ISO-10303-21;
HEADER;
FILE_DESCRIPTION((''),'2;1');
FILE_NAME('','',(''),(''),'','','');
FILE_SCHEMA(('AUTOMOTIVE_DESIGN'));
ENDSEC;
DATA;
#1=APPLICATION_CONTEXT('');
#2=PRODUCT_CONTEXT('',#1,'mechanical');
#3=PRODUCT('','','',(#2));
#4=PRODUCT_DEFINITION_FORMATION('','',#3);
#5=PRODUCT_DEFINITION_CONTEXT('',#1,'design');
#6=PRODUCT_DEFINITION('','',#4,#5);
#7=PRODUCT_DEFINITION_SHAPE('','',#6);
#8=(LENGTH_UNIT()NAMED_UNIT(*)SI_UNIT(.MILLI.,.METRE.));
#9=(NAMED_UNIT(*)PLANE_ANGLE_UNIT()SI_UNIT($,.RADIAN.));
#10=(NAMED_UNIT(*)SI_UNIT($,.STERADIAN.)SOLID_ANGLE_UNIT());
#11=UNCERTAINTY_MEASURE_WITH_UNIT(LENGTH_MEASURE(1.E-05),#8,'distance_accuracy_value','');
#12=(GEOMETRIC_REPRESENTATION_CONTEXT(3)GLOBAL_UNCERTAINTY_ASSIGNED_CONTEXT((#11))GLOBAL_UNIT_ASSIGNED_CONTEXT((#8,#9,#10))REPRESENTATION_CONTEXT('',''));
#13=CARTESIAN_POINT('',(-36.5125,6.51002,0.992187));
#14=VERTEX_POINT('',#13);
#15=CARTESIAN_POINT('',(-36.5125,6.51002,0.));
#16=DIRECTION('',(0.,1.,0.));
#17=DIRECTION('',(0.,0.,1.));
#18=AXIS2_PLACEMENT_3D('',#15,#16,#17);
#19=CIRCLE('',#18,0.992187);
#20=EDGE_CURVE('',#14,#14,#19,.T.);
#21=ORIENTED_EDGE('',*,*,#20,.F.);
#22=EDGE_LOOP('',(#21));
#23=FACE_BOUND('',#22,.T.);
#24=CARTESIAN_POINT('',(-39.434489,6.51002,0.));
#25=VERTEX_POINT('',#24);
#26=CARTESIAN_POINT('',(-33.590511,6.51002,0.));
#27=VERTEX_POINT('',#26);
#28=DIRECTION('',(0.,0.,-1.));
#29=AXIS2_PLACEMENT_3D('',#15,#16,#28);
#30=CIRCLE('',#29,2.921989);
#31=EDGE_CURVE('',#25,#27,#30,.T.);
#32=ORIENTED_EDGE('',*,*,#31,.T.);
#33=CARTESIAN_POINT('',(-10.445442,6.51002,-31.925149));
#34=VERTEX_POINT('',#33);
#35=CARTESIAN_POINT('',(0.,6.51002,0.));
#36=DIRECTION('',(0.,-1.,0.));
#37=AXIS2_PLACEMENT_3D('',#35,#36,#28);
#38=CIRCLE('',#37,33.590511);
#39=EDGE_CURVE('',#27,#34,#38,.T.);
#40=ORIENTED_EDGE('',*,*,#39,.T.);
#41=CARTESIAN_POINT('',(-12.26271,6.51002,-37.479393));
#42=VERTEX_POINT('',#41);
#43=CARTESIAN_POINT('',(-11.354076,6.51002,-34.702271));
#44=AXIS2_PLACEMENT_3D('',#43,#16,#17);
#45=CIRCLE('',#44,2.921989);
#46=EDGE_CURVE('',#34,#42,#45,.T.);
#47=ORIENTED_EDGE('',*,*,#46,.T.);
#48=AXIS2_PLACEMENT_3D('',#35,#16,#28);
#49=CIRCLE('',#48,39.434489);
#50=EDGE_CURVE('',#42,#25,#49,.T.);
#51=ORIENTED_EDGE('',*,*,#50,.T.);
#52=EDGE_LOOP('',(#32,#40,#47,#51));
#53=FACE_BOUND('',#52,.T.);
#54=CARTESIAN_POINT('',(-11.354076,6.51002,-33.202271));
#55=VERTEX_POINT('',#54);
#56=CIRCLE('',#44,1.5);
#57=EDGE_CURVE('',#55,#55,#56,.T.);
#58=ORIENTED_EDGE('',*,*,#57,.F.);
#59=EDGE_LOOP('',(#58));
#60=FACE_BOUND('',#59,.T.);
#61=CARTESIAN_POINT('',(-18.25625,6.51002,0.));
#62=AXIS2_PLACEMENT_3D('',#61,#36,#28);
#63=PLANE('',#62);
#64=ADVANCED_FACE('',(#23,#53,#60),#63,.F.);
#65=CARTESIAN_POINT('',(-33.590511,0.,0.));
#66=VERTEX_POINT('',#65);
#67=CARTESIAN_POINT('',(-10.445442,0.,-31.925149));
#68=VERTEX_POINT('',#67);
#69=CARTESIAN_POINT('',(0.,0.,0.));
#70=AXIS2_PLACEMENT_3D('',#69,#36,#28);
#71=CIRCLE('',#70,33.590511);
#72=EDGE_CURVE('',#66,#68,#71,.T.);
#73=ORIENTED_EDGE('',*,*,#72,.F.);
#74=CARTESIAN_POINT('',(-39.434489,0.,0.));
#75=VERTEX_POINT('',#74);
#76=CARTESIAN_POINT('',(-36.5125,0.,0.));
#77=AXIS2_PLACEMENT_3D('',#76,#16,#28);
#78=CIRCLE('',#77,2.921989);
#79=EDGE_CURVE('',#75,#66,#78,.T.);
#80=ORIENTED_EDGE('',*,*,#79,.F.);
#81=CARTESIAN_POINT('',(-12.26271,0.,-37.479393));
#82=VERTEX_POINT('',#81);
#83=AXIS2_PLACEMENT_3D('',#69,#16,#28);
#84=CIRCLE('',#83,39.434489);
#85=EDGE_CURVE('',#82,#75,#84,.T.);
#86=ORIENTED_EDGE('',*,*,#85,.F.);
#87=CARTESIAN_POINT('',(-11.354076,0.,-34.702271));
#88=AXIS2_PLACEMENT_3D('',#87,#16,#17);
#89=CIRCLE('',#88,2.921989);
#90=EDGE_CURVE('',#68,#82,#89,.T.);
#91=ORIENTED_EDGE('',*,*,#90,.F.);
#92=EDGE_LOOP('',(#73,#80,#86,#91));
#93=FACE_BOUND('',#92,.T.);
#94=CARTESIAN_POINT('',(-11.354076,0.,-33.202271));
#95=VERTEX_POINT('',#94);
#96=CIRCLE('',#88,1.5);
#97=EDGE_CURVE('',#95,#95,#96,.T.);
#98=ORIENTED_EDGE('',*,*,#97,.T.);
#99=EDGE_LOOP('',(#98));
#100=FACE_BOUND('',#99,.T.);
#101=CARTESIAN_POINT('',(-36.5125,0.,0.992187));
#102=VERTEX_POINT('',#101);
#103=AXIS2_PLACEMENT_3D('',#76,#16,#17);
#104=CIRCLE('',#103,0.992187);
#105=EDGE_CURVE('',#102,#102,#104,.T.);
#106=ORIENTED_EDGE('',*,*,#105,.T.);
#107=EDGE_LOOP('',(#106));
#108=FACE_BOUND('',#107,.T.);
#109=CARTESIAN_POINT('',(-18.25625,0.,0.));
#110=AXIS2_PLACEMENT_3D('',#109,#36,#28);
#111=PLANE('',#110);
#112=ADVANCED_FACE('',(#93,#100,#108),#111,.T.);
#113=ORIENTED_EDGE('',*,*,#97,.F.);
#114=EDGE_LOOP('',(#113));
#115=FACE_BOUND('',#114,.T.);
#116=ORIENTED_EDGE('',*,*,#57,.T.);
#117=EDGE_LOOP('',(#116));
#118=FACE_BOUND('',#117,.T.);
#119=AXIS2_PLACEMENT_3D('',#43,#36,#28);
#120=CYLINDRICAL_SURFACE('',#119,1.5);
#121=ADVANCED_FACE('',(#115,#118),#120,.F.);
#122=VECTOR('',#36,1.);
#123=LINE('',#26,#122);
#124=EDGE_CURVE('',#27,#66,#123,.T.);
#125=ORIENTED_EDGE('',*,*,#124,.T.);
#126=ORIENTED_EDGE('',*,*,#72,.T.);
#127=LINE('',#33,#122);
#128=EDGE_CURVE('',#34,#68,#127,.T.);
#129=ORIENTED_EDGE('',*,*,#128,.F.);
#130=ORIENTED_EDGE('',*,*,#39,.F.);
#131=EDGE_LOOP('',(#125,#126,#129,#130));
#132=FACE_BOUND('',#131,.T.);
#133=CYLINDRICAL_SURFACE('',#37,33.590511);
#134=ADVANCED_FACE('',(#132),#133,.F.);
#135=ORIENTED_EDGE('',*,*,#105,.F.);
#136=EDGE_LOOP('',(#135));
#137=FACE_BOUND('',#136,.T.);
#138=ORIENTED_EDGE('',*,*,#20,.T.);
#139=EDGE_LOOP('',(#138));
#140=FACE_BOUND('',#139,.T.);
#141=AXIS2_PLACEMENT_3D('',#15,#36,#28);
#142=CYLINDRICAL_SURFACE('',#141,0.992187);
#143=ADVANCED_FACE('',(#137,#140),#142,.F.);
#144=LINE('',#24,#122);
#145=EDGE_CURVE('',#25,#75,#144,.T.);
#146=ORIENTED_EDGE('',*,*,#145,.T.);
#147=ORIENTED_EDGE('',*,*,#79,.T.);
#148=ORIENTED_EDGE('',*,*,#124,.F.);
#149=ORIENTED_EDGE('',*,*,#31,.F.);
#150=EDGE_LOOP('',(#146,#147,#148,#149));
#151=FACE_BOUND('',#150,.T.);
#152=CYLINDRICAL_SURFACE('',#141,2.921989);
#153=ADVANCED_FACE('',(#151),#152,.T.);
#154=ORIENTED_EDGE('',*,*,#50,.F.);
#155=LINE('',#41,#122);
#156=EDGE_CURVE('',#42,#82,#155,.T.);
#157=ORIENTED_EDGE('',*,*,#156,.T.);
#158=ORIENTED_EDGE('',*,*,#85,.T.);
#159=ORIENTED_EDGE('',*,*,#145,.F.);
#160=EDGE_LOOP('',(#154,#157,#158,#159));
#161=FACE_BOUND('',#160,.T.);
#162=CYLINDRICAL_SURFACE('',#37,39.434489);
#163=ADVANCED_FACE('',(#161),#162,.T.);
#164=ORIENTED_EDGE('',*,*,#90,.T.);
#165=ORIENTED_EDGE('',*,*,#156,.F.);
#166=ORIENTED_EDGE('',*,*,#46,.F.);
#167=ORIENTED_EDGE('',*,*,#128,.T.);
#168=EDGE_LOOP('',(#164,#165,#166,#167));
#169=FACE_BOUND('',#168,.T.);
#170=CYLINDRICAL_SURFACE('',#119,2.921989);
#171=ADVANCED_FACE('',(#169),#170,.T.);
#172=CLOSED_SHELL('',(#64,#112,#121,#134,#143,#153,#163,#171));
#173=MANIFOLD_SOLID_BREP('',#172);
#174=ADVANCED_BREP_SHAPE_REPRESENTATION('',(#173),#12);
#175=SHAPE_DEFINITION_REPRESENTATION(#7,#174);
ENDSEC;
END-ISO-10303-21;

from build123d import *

# Parameters (mm, degrees)
SKETCH1_R           = 0.9921875
SKETCH1_R_2         = 1.5
BOSS_EXTRUDE1_DEPTH = 6.51002


with BuildPart() as part:
    # Sketch1 → Boss-Extrude1 (new body)
    with BuildSketch(Plane(origin=(0, 0, 0), x_dir=(1, 0, 0), z_dir=(0, 1, 0))):
        with BuildLine():
            ThreePointArc((-33.590510807, 0), (-27.195497439, 19.716169387), (-10.445442396, 31.925149168))
            ThreePointArc((-10.445442396, 31.925149168), (-8.576954256, 35.610904689), (-12.262709777, 37.479392829))
            ThreePointArc((-12.262709777, 37.479392829), (-31.926890188, 23.146330613), (-39.434489193, 0))
            ThreePointArc((-39.434489193, 0), (-36.5125, -2.921989193), (-33.590510807, 0))
        make_face()
        with Locations(Location((-36.5125, 0, 0), (0, 0, 270))):
            Circle(SKETCH1_R, mode=Mode.SUBTRACT)
        with Locations(Location((-11.354076087, 34.702270999, 0), (0, 0, 270))):
            Circle(SKETCH1_R_2, mode=Mode.SUBTRACT)
    extrude(amount=BOSS_EXTRUDE1_DEPTH)


solid = part.part
